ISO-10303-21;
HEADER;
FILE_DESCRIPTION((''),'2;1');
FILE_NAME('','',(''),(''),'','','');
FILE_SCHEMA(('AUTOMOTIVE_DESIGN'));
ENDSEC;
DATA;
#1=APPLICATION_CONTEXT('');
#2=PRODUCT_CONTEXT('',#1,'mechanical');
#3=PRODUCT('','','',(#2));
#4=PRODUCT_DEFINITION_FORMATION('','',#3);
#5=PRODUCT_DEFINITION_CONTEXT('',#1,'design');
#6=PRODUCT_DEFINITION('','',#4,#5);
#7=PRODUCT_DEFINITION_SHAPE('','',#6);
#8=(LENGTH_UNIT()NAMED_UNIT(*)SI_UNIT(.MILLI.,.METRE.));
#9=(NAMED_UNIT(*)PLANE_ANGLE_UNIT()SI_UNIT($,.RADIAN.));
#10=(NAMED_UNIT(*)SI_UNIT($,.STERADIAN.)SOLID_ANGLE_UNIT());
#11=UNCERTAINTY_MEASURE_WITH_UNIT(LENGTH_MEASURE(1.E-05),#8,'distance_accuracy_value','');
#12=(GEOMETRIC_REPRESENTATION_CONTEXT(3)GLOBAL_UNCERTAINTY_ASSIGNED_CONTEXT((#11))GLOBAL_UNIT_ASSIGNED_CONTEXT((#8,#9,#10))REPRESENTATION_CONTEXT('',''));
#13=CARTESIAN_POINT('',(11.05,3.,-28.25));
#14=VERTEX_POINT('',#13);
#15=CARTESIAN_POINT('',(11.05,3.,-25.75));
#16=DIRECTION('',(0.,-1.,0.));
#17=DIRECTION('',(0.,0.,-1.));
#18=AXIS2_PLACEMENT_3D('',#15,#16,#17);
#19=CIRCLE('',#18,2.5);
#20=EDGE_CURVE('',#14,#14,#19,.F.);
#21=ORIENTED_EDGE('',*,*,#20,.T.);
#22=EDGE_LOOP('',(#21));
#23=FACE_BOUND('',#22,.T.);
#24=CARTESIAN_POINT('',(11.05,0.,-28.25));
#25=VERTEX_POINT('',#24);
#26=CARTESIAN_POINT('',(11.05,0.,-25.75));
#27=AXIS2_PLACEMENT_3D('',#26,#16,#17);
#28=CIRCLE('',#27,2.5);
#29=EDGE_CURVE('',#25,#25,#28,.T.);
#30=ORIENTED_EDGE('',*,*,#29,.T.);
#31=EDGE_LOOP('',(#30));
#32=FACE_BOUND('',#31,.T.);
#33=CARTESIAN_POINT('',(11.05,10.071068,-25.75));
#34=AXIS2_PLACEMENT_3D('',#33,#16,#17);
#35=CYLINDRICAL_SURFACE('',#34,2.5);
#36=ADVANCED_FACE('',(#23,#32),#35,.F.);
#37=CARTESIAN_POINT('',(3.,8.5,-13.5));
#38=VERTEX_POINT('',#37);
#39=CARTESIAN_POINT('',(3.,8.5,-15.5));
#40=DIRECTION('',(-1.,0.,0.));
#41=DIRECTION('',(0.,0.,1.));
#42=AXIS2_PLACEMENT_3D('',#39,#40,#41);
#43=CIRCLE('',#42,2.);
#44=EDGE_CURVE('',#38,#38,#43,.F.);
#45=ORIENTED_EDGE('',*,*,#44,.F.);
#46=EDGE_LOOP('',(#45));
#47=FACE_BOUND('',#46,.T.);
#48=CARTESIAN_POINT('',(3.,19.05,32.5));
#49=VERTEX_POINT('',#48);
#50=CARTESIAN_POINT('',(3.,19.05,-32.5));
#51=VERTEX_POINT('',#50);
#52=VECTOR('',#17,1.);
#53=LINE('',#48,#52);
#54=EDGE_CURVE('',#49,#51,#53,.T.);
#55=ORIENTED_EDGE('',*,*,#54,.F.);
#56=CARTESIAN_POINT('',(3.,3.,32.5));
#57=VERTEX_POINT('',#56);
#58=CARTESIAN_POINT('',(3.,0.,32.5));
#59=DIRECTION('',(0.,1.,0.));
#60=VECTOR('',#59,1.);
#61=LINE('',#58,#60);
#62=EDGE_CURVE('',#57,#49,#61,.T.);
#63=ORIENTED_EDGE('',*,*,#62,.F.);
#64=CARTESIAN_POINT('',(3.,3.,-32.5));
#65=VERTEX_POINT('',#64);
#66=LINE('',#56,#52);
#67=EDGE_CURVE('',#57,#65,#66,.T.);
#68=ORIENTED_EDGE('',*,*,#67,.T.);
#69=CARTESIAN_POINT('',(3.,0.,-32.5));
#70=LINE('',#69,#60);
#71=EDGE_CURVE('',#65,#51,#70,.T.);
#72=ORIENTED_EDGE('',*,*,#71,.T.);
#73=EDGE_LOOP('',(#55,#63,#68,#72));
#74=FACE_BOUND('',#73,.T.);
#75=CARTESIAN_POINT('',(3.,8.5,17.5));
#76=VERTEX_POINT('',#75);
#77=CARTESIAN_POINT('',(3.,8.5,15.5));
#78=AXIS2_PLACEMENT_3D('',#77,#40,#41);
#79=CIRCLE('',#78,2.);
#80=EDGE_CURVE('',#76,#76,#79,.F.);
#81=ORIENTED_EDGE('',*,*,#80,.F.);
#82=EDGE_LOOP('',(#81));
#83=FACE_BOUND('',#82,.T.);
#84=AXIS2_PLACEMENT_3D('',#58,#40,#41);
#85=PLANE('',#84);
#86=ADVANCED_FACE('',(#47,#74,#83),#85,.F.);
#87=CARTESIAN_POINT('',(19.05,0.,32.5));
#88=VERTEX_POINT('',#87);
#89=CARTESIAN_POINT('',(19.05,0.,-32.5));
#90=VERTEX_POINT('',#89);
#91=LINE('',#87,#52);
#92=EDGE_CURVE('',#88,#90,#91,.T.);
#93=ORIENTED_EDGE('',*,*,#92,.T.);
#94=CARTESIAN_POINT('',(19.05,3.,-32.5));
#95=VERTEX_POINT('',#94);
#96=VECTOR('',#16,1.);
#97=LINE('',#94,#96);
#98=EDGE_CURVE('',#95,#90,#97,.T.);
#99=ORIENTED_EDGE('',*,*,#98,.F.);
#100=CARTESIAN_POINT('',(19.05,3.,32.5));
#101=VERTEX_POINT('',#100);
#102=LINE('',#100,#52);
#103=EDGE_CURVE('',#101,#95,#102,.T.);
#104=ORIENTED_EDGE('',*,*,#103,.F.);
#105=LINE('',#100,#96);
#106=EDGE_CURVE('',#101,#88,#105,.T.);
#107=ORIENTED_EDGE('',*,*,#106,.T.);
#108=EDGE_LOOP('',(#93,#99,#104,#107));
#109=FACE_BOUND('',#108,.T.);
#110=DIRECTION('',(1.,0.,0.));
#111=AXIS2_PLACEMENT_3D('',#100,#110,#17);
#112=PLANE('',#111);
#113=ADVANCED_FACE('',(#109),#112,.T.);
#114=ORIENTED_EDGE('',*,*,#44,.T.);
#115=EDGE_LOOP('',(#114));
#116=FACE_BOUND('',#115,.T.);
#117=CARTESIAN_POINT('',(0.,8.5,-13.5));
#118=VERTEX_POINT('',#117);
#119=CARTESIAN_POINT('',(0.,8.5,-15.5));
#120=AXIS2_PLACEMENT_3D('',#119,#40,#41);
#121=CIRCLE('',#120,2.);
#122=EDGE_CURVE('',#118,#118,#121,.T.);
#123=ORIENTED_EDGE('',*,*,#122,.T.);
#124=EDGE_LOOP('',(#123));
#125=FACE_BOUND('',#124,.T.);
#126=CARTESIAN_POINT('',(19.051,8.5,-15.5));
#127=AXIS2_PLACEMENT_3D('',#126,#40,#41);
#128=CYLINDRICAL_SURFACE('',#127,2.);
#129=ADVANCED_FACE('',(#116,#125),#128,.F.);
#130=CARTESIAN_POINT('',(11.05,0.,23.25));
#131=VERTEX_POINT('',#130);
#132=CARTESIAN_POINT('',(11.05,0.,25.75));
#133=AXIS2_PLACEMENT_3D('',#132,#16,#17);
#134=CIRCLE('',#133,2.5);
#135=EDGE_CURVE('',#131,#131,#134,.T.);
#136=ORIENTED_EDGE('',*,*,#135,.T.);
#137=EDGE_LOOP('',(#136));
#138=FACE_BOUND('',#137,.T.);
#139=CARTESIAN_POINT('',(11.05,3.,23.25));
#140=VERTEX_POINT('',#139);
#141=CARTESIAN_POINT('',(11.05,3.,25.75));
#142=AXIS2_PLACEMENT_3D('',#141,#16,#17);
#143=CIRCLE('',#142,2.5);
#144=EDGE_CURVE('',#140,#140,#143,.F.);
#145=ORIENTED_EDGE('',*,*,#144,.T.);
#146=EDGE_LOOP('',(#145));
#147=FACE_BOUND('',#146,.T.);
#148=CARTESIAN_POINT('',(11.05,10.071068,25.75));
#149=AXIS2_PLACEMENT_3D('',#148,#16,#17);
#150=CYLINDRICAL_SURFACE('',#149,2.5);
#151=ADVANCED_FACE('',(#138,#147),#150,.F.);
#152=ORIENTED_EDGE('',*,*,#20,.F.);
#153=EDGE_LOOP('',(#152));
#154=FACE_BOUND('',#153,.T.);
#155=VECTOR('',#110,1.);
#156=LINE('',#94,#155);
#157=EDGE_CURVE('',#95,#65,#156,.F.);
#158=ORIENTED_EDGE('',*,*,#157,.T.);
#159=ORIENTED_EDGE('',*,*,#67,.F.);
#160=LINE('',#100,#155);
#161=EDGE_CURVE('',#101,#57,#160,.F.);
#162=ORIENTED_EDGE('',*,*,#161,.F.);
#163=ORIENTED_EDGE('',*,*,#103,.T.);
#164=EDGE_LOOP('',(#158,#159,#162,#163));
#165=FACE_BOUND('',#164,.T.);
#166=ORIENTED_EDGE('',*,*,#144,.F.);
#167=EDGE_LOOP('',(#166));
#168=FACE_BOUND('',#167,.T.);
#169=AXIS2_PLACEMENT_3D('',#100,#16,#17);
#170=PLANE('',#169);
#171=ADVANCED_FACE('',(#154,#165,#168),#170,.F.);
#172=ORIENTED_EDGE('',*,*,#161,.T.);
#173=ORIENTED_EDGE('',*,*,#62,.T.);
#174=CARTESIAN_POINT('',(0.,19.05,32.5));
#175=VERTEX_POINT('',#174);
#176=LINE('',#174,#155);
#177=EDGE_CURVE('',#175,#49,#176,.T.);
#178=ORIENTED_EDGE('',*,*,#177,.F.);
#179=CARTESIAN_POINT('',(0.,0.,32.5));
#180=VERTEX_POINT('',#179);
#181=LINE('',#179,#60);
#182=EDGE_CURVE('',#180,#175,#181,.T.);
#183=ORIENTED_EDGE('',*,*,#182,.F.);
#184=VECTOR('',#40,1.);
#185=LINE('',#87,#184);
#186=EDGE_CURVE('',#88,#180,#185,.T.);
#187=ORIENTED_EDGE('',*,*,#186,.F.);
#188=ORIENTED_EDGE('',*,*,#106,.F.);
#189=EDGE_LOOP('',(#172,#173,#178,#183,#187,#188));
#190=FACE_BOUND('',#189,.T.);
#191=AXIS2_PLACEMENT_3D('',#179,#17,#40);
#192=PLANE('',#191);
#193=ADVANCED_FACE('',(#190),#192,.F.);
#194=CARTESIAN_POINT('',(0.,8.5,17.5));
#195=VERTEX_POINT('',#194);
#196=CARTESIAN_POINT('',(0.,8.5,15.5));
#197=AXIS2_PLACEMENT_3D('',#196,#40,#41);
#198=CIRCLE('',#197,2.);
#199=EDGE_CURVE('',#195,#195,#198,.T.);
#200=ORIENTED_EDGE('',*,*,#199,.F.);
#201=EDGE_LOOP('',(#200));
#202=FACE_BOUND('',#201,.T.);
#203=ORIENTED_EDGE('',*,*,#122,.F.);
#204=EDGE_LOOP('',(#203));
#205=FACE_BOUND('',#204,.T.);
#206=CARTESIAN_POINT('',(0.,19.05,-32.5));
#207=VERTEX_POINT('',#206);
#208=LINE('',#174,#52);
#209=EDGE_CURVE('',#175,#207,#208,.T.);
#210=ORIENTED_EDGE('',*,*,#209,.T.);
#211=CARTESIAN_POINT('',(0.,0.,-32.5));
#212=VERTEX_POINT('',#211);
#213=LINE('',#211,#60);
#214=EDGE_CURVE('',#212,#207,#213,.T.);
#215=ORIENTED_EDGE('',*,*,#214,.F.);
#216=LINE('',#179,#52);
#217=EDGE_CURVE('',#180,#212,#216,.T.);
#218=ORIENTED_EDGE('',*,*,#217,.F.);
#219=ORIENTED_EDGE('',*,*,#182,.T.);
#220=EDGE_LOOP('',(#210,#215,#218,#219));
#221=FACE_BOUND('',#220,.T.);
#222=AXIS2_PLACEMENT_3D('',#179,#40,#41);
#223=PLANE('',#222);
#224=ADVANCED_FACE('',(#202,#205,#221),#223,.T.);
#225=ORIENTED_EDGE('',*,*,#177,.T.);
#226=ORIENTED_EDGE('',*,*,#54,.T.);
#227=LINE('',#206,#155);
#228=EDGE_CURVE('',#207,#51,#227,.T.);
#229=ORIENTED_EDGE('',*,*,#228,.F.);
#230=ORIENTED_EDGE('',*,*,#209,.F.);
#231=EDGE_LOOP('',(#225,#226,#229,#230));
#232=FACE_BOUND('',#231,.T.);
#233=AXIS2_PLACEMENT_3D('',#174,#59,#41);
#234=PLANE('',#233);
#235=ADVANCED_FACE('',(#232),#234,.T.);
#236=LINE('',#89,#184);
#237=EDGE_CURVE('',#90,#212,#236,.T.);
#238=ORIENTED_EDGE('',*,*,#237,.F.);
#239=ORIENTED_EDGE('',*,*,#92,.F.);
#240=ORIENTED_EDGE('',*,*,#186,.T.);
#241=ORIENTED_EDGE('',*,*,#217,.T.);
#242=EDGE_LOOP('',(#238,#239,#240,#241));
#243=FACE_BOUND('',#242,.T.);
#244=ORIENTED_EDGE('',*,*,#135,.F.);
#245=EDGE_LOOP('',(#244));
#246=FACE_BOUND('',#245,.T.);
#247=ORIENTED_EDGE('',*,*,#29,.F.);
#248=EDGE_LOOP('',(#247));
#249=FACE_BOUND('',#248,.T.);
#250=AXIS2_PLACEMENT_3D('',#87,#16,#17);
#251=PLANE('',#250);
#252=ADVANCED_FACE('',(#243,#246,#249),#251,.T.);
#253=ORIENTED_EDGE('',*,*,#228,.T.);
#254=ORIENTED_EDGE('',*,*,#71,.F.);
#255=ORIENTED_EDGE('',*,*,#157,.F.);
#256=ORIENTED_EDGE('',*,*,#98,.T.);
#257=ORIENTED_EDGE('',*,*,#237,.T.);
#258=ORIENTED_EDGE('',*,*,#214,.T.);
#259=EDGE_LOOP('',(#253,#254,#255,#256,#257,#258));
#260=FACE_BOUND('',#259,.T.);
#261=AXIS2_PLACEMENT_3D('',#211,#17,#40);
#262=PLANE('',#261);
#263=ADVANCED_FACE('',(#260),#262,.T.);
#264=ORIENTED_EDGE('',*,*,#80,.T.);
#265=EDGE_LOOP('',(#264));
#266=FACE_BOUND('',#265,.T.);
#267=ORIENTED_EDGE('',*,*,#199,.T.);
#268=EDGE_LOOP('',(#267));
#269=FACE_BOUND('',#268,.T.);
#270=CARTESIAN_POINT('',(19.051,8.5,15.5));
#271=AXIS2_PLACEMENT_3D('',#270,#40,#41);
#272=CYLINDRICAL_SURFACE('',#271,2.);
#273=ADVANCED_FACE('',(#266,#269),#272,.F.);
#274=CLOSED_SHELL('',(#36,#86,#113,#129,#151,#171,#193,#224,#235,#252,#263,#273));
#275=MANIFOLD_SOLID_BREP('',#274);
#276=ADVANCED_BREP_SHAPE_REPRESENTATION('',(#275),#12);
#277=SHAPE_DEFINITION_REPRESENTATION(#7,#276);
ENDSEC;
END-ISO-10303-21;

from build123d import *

# Parameters (mm, degrees)
EXTRUDE_THIN1_DEPTH = 32.5
CUT_EXTRUDE2_REACH  = 44.214
SKETCH4_R           = 2
SKETCH3_R           = 2.5
CUT_EXTRUDE1_DEPTH  = 3


with BuildPart() as part:
    # Sketch1 → Extrude-Thin1 (new, symmetric)
    with BuildSketch(Plane.XY):
        Polygon((19.05, 0), (0, 0), (0, 19.05), (3, 19.05), (3, 3), (19.05, 3), align=None)
    extrude(amount=EXTRUDE_THIN1_DEPTH, both=True)

    # Sketch4 → Cut-Extrude2 (cut, up to next)
    with BuildSketch(Plane.ZY, mode=Mode.PRIVATE) as cut_extrude2_sk1:
        with Locations((-15.5, 8.5)):
            Circle(SKETCH4_R)
    cut_extrude2_tool1 = extrude(cut_extrude2_sk1.sketch, amount=-CUT_EXTRUDE2_REACH, mode=Mode.PRIVATE) & part.part
    # Sketch4 → Cut-Extrude2 (cut, up to next)
    with BuildSketch(Plane.ZY, mode=Mode.PRIVATE) as cut_extrude2_sk2:
        with Locations((15.5, 8.5)):
            Circle(SKETCH4_R)
    cut_extrude2_tool2 = extrude(cut_extrude2_sk2.sketch, amount=-CUT_EXTRUDE2_REACH, mode=Mode.PRIVATE) & part.part
    add(cut_extrude2_tool1.solids().sort_by_distance((0, 8.5, -15.5))[0], mode=Mode.SUBTRACT)
    add(cut_extrude2_tool2.solids().sort_by_distance((0, 8.5, 15.5))[0], mode=Mode.SUBTRACT)

    # Sketch3 → Cut-Extrude1 (cut)
    with BuildSketch(Plane.XZ):
        with Locations(Location((11.05, -25.75, 0), (0, 0, 270))):
            Circle(SKETCH3_R)
        with Locations(Location((11.05, 25.75, 0), (0, 0, 270))):
            Circle(SKETCH3_R)
    extrude(amount=-CUT_EXTRUDE1_DEPTH, mode=Mode.SUBTRACT)


solid = part.part
